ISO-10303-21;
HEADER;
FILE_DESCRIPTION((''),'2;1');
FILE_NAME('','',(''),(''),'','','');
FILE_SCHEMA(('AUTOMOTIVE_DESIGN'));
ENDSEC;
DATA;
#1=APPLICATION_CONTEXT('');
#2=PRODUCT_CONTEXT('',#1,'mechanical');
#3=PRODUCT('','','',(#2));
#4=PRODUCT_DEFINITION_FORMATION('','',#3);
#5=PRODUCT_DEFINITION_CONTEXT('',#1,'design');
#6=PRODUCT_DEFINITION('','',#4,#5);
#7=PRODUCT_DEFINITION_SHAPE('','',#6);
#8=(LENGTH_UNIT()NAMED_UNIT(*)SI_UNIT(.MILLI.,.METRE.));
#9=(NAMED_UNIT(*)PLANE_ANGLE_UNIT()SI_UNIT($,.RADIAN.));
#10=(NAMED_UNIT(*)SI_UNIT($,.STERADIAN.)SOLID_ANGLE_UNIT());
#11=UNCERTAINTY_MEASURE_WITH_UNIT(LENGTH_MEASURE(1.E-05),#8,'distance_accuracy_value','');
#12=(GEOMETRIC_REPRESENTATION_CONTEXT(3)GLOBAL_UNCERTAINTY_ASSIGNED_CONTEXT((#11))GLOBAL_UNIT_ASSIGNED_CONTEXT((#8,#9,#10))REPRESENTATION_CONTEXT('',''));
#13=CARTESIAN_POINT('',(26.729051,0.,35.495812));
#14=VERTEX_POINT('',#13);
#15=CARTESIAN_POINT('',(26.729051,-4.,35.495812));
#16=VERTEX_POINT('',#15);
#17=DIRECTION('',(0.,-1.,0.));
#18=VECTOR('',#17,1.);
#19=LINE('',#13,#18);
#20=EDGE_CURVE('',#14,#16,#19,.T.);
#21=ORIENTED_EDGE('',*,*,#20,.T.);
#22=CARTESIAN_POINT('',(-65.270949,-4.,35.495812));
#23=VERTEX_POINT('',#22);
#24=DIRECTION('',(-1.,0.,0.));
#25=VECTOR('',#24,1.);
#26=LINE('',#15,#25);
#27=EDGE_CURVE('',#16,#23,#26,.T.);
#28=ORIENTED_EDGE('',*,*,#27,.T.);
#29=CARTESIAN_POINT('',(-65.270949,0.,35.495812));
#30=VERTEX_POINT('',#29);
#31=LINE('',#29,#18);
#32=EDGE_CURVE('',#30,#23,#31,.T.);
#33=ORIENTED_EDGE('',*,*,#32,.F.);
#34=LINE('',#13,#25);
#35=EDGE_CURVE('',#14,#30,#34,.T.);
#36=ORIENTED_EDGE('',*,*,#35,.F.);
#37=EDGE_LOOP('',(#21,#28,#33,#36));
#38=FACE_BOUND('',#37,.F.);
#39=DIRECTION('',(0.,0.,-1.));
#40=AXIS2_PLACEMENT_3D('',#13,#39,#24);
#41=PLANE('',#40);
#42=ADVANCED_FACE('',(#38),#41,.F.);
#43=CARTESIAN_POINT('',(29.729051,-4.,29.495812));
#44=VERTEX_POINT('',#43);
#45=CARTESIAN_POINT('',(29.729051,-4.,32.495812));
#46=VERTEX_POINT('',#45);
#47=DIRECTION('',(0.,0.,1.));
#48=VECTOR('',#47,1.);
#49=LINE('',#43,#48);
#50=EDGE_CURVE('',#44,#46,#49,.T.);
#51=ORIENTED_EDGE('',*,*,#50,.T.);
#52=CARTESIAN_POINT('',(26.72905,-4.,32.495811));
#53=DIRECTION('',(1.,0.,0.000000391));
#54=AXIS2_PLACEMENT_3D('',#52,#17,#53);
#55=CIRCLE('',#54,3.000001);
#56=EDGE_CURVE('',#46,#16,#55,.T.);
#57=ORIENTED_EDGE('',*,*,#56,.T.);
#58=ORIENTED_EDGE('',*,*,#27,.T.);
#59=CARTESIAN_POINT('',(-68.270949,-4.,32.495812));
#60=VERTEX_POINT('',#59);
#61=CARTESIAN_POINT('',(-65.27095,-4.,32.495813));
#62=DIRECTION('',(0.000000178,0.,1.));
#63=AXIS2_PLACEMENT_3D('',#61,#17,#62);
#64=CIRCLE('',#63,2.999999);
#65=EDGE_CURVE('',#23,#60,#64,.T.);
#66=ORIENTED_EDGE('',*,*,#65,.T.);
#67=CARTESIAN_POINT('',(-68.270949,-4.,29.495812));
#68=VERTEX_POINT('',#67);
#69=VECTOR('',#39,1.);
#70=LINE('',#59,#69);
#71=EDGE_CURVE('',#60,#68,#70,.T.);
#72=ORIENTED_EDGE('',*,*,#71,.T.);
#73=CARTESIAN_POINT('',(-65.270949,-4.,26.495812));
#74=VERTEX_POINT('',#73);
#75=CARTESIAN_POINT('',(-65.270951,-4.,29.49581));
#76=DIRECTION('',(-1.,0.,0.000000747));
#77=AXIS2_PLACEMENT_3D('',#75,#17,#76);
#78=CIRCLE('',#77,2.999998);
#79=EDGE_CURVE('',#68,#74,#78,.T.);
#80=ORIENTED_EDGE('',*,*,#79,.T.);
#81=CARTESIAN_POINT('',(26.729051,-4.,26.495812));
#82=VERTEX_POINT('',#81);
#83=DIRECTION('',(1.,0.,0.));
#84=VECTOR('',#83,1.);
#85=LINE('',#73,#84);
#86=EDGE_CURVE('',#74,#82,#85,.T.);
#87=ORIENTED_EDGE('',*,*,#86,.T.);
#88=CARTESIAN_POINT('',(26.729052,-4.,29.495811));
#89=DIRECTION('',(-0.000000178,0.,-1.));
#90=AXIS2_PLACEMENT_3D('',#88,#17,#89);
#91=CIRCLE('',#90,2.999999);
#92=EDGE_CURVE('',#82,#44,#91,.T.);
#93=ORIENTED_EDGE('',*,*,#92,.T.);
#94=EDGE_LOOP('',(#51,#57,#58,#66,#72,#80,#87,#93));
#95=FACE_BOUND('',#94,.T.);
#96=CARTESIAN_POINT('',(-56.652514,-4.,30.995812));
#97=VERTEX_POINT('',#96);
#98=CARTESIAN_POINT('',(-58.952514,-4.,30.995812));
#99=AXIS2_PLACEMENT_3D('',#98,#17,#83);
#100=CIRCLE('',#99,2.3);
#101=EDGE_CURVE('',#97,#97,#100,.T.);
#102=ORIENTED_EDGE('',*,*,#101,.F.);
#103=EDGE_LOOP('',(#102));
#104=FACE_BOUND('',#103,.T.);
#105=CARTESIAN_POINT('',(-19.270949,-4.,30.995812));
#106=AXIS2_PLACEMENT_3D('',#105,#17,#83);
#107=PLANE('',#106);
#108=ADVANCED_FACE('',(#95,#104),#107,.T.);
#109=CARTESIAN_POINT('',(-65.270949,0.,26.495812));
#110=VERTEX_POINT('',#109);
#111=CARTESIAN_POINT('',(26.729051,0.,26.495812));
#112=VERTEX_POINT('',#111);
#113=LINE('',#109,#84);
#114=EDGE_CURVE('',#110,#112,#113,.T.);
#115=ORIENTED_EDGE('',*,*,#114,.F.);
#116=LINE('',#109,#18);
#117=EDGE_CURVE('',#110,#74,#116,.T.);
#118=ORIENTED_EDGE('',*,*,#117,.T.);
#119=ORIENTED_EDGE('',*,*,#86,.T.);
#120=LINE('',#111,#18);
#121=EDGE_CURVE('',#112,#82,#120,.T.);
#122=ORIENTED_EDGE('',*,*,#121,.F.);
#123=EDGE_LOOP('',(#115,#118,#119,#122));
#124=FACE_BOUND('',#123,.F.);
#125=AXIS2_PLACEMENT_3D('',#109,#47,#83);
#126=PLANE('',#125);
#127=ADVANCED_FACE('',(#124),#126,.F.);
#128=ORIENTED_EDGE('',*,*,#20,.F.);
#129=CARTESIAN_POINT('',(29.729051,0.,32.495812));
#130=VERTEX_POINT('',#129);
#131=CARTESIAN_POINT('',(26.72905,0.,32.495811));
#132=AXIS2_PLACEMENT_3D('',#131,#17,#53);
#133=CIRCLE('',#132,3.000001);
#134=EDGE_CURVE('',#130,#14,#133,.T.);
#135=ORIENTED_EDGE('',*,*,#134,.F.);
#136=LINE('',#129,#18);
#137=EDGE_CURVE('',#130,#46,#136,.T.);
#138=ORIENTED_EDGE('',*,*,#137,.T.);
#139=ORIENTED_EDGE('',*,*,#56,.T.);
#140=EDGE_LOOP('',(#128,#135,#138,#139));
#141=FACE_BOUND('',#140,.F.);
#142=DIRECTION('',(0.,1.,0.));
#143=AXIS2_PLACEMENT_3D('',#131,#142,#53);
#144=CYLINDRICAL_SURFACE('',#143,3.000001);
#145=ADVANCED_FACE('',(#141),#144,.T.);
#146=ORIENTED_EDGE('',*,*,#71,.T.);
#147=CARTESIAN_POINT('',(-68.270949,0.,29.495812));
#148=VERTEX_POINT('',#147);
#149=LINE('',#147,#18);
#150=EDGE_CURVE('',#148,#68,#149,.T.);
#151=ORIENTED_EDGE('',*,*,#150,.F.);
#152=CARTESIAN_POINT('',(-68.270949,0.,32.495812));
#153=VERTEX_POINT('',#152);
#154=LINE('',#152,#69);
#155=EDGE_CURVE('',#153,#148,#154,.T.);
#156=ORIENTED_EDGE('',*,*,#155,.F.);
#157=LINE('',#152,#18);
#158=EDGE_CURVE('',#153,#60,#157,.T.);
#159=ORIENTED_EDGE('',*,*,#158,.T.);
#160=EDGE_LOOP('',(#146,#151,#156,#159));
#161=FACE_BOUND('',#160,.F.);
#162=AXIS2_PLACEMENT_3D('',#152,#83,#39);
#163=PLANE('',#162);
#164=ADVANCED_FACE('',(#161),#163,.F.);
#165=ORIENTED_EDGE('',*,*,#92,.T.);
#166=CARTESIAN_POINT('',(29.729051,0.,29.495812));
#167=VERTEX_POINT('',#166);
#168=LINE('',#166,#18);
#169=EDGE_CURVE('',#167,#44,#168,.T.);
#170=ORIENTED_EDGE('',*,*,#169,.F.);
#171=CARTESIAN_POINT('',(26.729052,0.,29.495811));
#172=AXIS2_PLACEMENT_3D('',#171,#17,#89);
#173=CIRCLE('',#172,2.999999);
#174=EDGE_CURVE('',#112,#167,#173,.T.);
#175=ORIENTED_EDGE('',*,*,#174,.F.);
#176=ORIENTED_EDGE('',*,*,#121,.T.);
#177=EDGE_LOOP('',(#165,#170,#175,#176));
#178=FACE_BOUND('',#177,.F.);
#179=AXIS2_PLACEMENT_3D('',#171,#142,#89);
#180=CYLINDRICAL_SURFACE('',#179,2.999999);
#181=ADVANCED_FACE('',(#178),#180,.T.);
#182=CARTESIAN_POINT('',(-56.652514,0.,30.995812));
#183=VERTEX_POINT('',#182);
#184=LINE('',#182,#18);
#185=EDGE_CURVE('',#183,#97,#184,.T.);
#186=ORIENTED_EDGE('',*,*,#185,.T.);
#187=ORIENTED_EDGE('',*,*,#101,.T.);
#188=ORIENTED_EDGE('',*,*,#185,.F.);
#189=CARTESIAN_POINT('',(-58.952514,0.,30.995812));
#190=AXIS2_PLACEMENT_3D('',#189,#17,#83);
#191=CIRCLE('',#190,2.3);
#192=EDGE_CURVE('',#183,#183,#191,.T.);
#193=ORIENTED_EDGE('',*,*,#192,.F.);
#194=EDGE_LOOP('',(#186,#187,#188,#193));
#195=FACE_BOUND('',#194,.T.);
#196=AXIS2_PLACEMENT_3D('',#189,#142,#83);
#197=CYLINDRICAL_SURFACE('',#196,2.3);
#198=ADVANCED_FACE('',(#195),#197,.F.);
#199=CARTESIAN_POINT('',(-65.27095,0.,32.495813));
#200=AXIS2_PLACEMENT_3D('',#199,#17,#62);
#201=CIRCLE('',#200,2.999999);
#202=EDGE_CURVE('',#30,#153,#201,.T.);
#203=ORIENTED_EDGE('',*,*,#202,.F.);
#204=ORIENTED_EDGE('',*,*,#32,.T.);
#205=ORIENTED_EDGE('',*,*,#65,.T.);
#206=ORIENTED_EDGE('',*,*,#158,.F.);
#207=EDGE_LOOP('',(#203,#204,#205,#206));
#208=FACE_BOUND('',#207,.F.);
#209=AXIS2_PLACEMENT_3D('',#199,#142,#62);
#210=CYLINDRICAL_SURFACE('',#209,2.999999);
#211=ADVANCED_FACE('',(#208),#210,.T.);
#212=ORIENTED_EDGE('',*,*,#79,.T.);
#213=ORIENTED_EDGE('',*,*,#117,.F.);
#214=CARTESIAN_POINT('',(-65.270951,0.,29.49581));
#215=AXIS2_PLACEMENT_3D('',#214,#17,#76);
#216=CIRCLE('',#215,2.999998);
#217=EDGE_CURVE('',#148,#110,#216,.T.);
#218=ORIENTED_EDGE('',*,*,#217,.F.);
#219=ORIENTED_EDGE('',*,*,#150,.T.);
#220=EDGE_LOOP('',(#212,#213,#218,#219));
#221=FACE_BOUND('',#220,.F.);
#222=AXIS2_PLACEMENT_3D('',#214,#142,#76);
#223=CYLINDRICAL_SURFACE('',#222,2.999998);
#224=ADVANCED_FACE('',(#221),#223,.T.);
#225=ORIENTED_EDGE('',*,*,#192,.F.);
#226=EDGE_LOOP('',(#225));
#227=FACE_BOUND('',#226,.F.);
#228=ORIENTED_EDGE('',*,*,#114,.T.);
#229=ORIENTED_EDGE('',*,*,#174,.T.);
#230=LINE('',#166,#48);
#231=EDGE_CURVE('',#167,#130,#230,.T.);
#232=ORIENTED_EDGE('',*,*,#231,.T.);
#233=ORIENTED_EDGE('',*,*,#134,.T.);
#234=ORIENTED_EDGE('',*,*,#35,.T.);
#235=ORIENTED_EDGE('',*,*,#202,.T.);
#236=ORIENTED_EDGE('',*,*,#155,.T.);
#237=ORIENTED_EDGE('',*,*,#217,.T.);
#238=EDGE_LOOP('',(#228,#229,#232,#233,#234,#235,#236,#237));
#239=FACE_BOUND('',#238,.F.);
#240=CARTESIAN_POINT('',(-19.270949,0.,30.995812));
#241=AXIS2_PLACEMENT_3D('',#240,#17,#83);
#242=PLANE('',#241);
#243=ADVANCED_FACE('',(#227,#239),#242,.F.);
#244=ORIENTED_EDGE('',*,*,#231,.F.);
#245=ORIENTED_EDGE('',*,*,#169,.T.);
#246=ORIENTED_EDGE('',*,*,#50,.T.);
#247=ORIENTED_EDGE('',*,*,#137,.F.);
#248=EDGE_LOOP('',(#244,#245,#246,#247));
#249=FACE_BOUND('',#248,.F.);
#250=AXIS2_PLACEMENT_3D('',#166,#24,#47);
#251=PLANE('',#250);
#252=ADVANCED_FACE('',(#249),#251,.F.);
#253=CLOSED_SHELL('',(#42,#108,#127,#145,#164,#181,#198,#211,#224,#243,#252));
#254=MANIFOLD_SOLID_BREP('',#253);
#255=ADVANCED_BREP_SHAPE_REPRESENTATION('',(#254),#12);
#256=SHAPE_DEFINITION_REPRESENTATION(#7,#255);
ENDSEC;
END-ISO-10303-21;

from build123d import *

# Parameters (mm, degrees)
F0_R     = 2.3
F1_DEPTH = 4


with BuildPart() as f1:
    # F0 (on Front) → F1 (new body)
    with BuildSketch(Plane.XZ):
        with BuildLine():
            Line((26.729051, 35.495812), (-65.270949, 35.495812))
            ThreePointArc((-65.270949, 35.495812), (-67.39227, 34.617132), (-68.270949, 32.495812))
            Line((-68.270949, 32.495812), (-68.270949, 29.495812))
            ThreePointArc((-68.270949, 29.495812), (-67.39227, 27.374491), (-65.270949, 26.495812))
            Line((-65.270949, 26.495812), (26.729051, 26.495812))
            ThreePointArc((26.729051, 26.495812), (28.850371, 27.374491), (29.729051, 29.495812))
            Line((29.729051, 29.495812), (29.729051, 32.495812))
            ThreePointArc((29.729051, 32.495812), (28.850371, 34.617132), (26.729051, 35.495812))
        make_face()
        with Locations((-58.952514, 30.995812)):
            Circle(F0_R, mode=Mode.SUBTRACT)
    extrude(amount=F1_DEPTH)


solid = f1.part
